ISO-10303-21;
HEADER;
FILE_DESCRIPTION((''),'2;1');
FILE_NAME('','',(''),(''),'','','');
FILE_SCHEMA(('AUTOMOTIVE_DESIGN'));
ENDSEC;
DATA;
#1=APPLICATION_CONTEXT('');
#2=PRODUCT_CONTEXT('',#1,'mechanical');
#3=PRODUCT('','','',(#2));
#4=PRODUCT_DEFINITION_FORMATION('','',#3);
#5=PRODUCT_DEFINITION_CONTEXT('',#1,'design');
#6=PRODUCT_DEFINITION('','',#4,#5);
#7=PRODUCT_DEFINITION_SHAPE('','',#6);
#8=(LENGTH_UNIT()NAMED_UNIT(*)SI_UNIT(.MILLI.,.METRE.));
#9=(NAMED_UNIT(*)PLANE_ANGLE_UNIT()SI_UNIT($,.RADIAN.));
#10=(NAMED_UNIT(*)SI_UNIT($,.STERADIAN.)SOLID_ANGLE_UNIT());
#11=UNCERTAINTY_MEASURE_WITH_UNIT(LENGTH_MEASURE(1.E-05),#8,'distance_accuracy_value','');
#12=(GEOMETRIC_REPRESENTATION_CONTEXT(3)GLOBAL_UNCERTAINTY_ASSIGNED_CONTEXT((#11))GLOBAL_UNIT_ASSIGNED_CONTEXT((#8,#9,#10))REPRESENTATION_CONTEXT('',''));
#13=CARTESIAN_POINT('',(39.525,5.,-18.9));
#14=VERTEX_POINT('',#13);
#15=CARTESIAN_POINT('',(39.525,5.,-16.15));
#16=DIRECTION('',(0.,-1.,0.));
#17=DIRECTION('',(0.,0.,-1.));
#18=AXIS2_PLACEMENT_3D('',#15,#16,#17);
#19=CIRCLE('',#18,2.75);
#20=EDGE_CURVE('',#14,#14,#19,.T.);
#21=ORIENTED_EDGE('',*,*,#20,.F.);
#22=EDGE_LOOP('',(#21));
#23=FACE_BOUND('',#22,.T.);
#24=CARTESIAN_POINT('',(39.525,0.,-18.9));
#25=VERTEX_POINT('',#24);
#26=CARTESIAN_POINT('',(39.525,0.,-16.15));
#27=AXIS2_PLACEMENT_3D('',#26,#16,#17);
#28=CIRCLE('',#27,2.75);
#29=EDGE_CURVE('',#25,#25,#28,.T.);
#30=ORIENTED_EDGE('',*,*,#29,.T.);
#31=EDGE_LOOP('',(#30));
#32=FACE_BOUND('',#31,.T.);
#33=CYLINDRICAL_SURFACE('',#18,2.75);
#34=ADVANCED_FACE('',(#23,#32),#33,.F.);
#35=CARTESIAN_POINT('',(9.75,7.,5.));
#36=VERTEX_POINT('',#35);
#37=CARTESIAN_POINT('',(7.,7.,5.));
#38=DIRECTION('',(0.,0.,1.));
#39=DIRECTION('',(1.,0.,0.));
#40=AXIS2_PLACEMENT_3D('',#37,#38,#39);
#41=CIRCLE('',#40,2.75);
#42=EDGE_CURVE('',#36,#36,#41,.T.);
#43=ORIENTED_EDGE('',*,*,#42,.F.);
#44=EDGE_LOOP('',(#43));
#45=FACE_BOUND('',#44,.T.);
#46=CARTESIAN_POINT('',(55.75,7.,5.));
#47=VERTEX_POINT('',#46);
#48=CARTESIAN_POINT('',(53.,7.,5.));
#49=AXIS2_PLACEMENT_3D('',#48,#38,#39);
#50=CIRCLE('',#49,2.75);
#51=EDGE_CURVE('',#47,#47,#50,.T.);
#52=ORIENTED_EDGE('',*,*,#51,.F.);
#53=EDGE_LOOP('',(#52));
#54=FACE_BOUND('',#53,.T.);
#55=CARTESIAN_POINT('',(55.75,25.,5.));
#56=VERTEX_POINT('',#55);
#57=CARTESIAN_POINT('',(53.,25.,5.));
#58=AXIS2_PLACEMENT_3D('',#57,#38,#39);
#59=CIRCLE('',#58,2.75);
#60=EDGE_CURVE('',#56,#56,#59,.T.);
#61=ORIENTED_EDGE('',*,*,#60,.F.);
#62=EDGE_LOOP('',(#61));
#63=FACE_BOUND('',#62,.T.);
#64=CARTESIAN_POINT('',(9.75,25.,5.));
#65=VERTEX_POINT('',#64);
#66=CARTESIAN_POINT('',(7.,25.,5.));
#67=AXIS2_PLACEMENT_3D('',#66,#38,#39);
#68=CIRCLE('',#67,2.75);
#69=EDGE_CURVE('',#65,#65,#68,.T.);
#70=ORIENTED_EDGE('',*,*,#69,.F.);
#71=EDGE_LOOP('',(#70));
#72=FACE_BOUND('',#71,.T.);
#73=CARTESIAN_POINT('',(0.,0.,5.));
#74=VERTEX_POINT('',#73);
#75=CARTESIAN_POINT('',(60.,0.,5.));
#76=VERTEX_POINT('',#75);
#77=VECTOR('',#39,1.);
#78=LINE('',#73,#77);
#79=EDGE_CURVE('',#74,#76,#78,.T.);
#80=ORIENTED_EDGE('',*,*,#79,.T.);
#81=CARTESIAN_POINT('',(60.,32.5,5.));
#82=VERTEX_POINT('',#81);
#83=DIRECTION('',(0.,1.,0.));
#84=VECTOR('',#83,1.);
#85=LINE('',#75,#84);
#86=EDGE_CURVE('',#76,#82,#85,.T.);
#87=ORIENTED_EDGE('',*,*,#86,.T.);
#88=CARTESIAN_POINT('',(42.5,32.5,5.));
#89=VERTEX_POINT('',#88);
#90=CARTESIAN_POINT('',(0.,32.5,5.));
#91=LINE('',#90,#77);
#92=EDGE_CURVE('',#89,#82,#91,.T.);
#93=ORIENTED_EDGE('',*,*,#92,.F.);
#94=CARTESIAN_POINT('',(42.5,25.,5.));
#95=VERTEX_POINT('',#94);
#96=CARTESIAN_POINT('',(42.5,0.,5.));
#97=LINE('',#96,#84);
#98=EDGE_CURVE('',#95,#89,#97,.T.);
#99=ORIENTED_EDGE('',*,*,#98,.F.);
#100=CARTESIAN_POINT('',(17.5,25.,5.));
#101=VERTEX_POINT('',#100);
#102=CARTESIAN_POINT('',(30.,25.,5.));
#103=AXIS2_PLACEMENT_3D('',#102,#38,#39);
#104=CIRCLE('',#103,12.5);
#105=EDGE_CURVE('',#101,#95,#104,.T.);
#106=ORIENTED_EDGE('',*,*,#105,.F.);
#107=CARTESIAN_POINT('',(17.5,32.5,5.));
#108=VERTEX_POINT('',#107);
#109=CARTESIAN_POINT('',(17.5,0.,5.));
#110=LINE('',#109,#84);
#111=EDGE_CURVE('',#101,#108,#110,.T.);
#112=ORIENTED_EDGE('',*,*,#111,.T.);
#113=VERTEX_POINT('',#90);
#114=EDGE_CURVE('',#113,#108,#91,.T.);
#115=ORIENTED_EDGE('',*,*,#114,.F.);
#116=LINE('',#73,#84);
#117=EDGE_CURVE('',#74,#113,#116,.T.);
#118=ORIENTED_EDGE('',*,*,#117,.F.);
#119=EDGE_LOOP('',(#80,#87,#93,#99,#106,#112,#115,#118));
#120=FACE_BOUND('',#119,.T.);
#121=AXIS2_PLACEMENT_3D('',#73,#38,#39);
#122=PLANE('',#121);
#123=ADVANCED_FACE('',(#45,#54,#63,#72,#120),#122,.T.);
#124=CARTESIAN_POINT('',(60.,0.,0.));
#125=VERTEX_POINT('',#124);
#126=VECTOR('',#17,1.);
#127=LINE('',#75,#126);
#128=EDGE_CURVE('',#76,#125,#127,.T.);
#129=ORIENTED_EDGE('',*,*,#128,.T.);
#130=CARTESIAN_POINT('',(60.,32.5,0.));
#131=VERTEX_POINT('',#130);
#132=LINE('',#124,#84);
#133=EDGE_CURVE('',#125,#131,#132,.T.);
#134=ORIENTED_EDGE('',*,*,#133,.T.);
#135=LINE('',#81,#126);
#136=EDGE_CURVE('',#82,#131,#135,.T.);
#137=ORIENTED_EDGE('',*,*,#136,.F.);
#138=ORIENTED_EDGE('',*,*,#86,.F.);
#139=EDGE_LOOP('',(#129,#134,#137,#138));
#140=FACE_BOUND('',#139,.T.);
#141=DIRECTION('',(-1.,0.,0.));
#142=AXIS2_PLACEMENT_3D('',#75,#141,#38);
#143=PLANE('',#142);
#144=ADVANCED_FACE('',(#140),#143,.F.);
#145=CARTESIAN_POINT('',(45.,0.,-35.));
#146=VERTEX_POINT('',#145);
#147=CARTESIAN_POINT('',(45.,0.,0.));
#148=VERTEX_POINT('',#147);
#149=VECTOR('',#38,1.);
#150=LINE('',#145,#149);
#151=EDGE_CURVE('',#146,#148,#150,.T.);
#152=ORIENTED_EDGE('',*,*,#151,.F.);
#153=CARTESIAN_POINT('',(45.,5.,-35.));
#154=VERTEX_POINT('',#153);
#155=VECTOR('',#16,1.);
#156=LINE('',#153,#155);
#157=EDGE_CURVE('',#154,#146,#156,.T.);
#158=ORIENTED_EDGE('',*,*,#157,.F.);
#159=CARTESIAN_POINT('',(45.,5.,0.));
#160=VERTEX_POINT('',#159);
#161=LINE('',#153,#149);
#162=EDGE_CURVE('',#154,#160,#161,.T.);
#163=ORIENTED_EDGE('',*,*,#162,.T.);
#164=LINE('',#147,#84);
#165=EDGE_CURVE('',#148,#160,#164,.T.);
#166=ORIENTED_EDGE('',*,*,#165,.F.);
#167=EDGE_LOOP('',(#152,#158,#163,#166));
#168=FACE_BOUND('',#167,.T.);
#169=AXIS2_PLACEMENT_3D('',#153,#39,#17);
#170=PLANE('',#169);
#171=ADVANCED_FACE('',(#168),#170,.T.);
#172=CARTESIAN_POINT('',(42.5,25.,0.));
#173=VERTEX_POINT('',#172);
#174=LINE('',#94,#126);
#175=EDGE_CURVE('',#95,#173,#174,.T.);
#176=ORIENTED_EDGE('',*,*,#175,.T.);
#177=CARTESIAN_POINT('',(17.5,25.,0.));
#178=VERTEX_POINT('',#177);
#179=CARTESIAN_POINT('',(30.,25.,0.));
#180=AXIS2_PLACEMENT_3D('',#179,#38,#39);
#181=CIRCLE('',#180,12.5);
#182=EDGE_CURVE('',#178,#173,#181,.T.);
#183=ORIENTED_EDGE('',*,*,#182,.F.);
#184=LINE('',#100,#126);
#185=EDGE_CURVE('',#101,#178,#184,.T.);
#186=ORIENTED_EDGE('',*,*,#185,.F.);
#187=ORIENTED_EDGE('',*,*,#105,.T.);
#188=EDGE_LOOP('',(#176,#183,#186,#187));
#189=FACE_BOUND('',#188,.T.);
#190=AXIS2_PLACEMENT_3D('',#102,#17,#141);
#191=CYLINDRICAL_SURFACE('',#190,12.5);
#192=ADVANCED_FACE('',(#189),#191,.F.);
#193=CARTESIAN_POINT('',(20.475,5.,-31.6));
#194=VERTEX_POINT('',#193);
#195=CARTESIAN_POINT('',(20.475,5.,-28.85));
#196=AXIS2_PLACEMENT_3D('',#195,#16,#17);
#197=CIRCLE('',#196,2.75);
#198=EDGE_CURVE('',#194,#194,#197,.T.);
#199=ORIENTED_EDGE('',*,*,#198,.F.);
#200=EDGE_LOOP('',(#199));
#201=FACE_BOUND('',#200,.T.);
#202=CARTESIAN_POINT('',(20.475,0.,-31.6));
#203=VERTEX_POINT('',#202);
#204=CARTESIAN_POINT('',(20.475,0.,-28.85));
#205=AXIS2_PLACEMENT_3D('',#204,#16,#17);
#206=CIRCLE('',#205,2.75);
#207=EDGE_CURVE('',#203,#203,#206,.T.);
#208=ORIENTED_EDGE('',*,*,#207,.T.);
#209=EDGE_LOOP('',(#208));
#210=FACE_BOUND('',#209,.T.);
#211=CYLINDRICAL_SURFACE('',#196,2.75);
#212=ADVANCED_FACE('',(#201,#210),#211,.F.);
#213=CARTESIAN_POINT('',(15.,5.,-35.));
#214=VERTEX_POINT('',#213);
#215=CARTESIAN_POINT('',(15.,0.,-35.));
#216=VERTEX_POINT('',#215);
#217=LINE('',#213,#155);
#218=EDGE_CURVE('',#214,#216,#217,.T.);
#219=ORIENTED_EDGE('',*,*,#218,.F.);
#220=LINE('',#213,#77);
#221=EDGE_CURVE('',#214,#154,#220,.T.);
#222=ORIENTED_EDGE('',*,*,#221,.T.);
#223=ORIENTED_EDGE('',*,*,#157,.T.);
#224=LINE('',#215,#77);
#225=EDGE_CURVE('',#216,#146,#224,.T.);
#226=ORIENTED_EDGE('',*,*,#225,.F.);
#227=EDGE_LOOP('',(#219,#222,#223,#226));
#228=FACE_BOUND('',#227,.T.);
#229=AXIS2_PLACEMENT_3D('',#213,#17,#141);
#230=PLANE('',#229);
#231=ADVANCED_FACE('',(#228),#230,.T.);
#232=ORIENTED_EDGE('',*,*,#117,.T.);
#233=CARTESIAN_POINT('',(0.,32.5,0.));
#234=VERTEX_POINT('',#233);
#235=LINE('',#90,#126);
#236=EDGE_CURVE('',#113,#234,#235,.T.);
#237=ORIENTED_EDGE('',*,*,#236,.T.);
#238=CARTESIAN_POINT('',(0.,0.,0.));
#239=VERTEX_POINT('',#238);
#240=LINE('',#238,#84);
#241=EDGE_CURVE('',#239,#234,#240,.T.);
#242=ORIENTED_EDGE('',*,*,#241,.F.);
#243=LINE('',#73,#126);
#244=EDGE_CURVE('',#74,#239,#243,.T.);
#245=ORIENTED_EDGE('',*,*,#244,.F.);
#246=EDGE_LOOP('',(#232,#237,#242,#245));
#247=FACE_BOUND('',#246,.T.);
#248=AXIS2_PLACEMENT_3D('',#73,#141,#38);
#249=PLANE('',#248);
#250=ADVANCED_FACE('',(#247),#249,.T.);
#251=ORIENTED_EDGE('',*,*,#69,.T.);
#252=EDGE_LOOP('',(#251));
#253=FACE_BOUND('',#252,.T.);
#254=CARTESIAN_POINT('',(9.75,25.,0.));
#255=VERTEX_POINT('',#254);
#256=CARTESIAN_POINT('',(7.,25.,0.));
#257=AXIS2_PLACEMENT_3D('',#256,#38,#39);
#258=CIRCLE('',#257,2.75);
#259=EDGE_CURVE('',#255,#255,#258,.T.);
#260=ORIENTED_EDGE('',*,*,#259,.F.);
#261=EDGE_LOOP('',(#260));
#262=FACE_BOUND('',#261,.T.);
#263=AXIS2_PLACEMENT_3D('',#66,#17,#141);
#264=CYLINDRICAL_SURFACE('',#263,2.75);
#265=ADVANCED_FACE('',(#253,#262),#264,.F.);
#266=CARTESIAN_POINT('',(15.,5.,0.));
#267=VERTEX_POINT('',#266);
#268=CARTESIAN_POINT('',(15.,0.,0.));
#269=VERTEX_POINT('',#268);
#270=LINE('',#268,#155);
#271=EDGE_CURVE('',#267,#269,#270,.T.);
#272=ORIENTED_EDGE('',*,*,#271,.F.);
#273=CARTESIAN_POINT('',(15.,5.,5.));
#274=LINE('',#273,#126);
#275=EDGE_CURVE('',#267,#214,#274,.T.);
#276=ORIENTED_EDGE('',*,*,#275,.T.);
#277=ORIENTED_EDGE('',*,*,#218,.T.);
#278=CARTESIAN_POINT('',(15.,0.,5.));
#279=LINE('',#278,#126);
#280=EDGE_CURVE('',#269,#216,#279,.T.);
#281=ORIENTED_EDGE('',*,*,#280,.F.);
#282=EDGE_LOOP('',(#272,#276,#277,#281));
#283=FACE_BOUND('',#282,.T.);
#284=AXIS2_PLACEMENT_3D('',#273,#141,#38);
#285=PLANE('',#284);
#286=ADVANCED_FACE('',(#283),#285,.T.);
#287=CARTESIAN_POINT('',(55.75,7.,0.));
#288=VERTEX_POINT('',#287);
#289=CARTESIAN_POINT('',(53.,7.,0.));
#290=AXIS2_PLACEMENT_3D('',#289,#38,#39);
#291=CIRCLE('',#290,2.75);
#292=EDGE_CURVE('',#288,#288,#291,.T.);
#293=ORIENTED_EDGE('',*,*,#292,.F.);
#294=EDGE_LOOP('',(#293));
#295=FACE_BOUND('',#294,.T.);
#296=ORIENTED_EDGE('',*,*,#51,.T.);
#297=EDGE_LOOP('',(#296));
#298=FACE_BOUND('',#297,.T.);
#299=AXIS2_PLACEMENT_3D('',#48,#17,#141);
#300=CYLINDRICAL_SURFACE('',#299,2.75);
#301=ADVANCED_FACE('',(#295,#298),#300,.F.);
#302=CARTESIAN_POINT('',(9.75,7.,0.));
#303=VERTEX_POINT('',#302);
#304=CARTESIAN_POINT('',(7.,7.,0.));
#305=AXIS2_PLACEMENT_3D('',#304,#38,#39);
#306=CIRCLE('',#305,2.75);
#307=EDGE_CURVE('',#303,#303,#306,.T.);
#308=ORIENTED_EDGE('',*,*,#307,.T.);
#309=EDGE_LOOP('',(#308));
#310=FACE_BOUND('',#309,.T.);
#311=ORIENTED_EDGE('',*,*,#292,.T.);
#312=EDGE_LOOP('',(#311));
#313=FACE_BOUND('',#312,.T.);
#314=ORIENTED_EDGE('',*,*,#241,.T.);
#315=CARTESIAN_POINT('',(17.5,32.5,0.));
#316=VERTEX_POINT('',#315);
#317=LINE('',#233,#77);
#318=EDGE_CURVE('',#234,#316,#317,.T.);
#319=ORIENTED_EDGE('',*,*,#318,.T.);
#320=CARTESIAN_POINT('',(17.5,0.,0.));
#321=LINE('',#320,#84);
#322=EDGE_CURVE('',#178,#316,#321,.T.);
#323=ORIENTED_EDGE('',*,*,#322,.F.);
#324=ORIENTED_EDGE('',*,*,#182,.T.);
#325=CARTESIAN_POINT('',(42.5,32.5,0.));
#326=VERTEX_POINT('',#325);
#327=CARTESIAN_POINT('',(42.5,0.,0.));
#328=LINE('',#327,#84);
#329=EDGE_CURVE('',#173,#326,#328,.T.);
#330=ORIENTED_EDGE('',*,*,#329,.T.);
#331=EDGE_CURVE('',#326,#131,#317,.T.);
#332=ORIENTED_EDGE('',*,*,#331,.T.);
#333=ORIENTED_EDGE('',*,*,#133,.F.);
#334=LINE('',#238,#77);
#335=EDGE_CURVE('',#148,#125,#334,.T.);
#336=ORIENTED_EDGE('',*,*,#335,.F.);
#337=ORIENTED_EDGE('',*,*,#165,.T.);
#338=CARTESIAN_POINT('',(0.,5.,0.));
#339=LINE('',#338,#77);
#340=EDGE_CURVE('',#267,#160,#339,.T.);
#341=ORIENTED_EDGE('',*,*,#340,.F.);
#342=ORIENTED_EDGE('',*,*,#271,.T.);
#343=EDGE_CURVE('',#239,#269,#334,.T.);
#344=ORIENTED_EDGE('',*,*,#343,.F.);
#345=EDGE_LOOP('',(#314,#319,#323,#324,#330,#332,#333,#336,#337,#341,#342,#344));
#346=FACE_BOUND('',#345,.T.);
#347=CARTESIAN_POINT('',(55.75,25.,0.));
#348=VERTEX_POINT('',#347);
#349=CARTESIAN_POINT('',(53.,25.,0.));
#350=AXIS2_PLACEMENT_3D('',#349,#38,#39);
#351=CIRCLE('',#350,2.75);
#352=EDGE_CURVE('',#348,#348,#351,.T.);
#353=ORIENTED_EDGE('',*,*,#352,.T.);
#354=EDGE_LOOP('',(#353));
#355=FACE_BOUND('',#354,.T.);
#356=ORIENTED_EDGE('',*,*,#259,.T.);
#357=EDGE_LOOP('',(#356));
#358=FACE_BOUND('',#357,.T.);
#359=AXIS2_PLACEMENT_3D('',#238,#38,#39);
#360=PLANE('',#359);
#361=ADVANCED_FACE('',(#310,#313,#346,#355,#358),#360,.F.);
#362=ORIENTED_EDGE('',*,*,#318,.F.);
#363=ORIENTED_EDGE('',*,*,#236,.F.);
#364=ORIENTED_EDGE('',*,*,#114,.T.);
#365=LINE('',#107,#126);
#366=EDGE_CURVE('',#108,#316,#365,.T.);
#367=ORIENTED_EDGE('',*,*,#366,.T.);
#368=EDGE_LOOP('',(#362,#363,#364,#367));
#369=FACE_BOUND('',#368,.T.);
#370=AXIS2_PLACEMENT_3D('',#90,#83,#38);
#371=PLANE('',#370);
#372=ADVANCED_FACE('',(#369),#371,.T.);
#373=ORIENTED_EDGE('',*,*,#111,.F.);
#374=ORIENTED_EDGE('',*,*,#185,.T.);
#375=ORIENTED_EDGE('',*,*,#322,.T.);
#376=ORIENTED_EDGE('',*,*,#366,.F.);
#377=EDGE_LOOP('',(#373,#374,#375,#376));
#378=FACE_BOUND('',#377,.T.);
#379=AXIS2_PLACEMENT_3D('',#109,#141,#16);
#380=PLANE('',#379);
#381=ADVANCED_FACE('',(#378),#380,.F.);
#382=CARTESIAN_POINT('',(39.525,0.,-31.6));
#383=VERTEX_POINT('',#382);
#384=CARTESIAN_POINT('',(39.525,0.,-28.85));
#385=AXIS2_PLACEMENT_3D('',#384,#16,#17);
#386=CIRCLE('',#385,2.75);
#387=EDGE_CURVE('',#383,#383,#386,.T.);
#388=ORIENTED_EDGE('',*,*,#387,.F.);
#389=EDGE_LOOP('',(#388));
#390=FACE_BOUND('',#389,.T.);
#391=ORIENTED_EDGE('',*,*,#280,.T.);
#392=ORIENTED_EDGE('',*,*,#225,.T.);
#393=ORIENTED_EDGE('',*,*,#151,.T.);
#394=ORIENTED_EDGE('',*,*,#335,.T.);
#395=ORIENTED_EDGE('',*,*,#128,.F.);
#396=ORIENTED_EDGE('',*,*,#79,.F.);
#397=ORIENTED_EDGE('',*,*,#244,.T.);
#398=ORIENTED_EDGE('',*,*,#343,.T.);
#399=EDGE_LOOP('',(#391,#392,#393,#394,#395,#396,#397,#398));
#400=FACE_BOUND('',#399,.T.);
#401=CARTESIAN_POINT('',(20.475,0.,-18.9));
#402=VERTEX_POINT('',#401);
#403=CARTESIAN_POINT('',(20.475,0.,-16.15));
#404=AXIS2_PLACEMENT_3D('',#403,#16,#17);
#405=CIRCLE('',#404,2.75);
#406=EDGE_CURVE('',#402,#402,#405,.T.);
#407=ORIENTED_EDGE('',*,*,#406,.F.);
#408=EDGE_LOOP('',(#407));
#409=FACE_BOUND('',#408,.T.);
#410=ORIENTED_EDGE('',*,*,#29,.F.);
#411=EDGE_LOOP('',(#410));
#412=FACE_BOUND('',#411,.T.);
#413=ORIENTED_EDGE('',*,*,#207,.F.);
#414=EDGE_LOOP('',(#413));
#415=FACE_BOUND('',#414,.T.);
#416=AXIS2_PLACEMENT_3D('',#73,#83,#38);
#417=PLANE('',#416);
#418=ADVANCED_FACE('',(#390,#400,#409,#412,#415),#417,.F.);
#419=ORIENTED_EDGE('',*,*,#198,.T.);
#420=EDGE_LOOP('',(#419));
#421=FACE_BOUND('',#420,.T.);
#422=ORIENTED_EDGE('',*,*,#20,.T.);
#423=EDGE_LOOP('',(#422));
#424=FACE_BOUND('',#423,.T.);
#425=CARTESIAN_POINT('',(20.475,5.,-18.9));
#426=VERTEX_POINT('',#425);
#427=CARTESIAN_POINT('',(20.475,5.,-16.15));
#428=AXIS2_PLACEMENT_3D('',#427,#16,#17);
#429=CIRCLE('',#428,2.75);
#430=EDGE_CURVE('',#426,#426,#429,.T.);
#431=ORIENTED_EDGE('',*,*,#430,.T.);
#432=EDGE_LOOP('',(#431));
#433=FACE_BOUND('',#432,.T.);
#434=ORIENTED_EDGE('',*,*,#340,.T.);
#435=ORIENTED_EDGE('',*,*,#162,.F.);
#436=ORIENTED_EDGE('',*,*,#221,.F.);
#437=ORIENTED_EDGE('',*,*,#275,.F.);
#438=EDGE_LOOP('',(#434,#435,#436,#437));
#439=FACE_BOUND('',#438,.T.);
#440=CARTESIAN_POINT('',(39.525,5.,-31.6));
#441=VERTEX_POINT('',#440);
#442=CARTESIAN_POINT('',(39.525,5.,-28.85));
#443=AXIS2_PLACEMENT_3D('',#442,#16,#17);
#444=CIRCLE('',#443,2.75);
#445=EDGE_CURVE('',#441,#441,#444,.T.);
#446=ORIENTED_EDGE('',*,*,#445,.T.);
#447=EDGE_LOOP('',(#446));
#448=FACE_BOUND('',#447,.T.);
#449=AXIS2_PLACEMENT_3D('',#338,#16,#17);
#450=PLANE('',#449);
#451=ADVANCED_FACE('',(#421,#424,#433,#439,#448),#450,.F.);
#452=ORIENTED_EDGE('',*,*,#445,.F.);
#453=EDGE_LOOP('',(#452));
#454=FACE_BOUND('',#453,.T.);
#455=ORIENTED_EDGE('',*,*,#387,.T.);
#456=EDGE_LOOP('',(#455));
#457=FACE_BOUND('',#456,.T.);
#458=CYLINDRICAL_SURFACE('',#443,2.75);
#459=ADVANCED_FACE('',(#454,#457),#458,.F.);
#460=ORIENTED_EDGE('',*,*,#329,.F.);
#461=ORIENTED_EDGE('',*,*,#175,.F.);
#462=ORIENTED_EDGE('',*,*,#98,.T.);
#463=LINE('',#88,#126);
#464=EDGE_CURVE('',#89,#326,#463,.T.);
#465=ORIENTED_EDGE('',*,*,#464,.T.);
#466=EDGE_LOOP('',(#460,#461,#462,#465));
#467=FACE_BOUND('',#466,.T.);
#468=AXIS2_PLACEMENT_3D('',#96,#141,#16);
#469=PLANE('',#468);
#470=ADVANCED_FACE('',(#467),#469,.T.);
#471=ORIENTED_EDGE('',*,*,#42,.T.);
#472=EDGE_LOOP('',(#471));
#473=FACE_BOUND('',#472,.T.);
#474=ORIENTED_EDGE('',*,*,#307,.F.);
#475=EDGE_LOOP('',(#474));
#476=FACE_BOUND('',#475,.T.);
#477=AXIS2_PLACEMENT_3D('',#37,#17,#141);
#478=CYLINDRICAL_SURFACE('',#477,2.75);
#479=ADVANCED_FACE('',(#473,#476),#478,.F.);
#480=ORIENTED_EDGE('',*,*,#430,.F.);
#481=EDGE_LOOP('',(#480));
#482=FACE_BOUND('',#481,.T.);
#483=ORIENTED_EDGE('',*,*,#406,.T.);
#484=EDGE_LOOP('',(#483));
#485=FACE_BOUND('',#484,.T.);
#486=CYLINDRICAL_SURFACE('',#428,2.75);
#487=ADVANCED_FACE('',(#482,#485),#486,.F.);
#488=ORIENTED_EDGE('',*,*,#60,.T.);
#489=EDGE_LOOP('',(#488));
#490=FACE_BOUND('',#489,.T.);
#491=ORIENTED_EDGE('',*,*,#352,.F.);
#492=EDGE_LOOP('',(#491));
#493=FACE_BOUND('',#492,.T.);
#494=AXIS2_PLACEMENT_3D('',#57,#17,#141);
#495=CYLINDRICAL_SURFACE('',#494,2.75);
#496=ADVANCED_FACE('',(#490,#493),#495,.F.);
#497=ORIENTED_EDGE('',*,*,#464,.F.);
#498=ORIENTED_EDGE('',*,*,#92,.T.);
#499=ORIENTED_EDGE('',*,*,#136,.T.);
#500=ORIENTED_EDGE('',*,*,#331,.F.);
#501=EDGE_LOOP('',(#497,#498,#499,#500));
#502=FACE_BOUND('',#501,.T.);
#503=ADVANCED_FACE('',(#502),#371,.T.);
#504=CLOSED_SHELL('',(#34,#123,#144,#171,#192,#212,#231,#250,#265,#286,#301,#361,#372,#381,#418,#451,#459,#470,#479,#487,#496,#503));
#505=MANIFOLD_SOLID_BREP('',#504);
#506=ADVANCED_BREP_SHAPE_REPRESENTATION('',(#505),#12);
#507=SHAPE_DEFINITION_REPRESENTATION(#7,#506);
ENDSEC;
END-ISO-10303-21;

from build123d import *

# Parameters (mm, degrees)
SKETCH1_R           = 2.75
BOSS_EXTRUDE1_DEPTH = 5
SKETCH2_W           = 30
SKETCH2_H           = 40
SKETCH2_R           = 2.75
BOSS_EXTRUDE2_DEPTH = 5


with BuildPart() as part:
    # Sketch1 → Boss-Extrude1 (new body)
    with BuildSketch(Plane.XY):
        with BuildLine():
            Line((0, 32.5), (0, 0))
            Line((0, 0), (60, 0))
            Line((60, 0), (60, 32.5))
            Line((60, 32.5), (42.5, 32.5))
            Line((42.5, 32.5), (42.5, 25))
            ThreePointArc((42.5, 25), (30, 12.5), (17.5, 25))
            Line((17.5, 25), (17.5, 32.5))
            Line((17.5, 32.5), (0, 32.5))
        make_face()
        with Locations((7, 7)):
            Circle(SKETCH1_R, mode=Mode.SUBTRACT)
        with Locations((53, 7)):
            Circle(SKETCH1_R, mode=Mode.SUBTRACT)
        with Locations((7, 25)):
            Circle(SKETCH1_R, mode=Mode.SUBTRACT)
        with Locations((53, 25)):
            Circle(SKETCH1_R, mode=Mode.SUBTRACT)
    extrude(amount=BOSS_EXTRUDE1_DEPTH)

    # Sketch2 → Boss-Extrude2 (add)
    with BuildSketch(Plane.XZ):
        with Locations((30, -15)):
            Rectangle(SKETCH2_W, SKETCH2_H)
        with Locations(Location((20.475, -16.15, 0), (0, 0, 270))):
            Circle(SKETCH2_R, mode=Mode.SUBTRACT)
        with Locations(Location((39.525, -16.15, 0), (0, 0, 270))):
            Circle(SKETCH2_R, mode=Mode.SUBTRACT)
        with Locations(Location((39.525, -28.85, 0), (0, 0, 270))):
            Circle(SKETCH2_R, mode=Mode.SUBTRACT)
        with Locations(Location((20.475, -28.85, 0), (0, 0, 270))):
            Circle(SKETCH2_R, mode=Mode.SUBTRACT)
    extrude(amount=-BOSS_EXTRUDE2_DEPTH)


solid = part.part
